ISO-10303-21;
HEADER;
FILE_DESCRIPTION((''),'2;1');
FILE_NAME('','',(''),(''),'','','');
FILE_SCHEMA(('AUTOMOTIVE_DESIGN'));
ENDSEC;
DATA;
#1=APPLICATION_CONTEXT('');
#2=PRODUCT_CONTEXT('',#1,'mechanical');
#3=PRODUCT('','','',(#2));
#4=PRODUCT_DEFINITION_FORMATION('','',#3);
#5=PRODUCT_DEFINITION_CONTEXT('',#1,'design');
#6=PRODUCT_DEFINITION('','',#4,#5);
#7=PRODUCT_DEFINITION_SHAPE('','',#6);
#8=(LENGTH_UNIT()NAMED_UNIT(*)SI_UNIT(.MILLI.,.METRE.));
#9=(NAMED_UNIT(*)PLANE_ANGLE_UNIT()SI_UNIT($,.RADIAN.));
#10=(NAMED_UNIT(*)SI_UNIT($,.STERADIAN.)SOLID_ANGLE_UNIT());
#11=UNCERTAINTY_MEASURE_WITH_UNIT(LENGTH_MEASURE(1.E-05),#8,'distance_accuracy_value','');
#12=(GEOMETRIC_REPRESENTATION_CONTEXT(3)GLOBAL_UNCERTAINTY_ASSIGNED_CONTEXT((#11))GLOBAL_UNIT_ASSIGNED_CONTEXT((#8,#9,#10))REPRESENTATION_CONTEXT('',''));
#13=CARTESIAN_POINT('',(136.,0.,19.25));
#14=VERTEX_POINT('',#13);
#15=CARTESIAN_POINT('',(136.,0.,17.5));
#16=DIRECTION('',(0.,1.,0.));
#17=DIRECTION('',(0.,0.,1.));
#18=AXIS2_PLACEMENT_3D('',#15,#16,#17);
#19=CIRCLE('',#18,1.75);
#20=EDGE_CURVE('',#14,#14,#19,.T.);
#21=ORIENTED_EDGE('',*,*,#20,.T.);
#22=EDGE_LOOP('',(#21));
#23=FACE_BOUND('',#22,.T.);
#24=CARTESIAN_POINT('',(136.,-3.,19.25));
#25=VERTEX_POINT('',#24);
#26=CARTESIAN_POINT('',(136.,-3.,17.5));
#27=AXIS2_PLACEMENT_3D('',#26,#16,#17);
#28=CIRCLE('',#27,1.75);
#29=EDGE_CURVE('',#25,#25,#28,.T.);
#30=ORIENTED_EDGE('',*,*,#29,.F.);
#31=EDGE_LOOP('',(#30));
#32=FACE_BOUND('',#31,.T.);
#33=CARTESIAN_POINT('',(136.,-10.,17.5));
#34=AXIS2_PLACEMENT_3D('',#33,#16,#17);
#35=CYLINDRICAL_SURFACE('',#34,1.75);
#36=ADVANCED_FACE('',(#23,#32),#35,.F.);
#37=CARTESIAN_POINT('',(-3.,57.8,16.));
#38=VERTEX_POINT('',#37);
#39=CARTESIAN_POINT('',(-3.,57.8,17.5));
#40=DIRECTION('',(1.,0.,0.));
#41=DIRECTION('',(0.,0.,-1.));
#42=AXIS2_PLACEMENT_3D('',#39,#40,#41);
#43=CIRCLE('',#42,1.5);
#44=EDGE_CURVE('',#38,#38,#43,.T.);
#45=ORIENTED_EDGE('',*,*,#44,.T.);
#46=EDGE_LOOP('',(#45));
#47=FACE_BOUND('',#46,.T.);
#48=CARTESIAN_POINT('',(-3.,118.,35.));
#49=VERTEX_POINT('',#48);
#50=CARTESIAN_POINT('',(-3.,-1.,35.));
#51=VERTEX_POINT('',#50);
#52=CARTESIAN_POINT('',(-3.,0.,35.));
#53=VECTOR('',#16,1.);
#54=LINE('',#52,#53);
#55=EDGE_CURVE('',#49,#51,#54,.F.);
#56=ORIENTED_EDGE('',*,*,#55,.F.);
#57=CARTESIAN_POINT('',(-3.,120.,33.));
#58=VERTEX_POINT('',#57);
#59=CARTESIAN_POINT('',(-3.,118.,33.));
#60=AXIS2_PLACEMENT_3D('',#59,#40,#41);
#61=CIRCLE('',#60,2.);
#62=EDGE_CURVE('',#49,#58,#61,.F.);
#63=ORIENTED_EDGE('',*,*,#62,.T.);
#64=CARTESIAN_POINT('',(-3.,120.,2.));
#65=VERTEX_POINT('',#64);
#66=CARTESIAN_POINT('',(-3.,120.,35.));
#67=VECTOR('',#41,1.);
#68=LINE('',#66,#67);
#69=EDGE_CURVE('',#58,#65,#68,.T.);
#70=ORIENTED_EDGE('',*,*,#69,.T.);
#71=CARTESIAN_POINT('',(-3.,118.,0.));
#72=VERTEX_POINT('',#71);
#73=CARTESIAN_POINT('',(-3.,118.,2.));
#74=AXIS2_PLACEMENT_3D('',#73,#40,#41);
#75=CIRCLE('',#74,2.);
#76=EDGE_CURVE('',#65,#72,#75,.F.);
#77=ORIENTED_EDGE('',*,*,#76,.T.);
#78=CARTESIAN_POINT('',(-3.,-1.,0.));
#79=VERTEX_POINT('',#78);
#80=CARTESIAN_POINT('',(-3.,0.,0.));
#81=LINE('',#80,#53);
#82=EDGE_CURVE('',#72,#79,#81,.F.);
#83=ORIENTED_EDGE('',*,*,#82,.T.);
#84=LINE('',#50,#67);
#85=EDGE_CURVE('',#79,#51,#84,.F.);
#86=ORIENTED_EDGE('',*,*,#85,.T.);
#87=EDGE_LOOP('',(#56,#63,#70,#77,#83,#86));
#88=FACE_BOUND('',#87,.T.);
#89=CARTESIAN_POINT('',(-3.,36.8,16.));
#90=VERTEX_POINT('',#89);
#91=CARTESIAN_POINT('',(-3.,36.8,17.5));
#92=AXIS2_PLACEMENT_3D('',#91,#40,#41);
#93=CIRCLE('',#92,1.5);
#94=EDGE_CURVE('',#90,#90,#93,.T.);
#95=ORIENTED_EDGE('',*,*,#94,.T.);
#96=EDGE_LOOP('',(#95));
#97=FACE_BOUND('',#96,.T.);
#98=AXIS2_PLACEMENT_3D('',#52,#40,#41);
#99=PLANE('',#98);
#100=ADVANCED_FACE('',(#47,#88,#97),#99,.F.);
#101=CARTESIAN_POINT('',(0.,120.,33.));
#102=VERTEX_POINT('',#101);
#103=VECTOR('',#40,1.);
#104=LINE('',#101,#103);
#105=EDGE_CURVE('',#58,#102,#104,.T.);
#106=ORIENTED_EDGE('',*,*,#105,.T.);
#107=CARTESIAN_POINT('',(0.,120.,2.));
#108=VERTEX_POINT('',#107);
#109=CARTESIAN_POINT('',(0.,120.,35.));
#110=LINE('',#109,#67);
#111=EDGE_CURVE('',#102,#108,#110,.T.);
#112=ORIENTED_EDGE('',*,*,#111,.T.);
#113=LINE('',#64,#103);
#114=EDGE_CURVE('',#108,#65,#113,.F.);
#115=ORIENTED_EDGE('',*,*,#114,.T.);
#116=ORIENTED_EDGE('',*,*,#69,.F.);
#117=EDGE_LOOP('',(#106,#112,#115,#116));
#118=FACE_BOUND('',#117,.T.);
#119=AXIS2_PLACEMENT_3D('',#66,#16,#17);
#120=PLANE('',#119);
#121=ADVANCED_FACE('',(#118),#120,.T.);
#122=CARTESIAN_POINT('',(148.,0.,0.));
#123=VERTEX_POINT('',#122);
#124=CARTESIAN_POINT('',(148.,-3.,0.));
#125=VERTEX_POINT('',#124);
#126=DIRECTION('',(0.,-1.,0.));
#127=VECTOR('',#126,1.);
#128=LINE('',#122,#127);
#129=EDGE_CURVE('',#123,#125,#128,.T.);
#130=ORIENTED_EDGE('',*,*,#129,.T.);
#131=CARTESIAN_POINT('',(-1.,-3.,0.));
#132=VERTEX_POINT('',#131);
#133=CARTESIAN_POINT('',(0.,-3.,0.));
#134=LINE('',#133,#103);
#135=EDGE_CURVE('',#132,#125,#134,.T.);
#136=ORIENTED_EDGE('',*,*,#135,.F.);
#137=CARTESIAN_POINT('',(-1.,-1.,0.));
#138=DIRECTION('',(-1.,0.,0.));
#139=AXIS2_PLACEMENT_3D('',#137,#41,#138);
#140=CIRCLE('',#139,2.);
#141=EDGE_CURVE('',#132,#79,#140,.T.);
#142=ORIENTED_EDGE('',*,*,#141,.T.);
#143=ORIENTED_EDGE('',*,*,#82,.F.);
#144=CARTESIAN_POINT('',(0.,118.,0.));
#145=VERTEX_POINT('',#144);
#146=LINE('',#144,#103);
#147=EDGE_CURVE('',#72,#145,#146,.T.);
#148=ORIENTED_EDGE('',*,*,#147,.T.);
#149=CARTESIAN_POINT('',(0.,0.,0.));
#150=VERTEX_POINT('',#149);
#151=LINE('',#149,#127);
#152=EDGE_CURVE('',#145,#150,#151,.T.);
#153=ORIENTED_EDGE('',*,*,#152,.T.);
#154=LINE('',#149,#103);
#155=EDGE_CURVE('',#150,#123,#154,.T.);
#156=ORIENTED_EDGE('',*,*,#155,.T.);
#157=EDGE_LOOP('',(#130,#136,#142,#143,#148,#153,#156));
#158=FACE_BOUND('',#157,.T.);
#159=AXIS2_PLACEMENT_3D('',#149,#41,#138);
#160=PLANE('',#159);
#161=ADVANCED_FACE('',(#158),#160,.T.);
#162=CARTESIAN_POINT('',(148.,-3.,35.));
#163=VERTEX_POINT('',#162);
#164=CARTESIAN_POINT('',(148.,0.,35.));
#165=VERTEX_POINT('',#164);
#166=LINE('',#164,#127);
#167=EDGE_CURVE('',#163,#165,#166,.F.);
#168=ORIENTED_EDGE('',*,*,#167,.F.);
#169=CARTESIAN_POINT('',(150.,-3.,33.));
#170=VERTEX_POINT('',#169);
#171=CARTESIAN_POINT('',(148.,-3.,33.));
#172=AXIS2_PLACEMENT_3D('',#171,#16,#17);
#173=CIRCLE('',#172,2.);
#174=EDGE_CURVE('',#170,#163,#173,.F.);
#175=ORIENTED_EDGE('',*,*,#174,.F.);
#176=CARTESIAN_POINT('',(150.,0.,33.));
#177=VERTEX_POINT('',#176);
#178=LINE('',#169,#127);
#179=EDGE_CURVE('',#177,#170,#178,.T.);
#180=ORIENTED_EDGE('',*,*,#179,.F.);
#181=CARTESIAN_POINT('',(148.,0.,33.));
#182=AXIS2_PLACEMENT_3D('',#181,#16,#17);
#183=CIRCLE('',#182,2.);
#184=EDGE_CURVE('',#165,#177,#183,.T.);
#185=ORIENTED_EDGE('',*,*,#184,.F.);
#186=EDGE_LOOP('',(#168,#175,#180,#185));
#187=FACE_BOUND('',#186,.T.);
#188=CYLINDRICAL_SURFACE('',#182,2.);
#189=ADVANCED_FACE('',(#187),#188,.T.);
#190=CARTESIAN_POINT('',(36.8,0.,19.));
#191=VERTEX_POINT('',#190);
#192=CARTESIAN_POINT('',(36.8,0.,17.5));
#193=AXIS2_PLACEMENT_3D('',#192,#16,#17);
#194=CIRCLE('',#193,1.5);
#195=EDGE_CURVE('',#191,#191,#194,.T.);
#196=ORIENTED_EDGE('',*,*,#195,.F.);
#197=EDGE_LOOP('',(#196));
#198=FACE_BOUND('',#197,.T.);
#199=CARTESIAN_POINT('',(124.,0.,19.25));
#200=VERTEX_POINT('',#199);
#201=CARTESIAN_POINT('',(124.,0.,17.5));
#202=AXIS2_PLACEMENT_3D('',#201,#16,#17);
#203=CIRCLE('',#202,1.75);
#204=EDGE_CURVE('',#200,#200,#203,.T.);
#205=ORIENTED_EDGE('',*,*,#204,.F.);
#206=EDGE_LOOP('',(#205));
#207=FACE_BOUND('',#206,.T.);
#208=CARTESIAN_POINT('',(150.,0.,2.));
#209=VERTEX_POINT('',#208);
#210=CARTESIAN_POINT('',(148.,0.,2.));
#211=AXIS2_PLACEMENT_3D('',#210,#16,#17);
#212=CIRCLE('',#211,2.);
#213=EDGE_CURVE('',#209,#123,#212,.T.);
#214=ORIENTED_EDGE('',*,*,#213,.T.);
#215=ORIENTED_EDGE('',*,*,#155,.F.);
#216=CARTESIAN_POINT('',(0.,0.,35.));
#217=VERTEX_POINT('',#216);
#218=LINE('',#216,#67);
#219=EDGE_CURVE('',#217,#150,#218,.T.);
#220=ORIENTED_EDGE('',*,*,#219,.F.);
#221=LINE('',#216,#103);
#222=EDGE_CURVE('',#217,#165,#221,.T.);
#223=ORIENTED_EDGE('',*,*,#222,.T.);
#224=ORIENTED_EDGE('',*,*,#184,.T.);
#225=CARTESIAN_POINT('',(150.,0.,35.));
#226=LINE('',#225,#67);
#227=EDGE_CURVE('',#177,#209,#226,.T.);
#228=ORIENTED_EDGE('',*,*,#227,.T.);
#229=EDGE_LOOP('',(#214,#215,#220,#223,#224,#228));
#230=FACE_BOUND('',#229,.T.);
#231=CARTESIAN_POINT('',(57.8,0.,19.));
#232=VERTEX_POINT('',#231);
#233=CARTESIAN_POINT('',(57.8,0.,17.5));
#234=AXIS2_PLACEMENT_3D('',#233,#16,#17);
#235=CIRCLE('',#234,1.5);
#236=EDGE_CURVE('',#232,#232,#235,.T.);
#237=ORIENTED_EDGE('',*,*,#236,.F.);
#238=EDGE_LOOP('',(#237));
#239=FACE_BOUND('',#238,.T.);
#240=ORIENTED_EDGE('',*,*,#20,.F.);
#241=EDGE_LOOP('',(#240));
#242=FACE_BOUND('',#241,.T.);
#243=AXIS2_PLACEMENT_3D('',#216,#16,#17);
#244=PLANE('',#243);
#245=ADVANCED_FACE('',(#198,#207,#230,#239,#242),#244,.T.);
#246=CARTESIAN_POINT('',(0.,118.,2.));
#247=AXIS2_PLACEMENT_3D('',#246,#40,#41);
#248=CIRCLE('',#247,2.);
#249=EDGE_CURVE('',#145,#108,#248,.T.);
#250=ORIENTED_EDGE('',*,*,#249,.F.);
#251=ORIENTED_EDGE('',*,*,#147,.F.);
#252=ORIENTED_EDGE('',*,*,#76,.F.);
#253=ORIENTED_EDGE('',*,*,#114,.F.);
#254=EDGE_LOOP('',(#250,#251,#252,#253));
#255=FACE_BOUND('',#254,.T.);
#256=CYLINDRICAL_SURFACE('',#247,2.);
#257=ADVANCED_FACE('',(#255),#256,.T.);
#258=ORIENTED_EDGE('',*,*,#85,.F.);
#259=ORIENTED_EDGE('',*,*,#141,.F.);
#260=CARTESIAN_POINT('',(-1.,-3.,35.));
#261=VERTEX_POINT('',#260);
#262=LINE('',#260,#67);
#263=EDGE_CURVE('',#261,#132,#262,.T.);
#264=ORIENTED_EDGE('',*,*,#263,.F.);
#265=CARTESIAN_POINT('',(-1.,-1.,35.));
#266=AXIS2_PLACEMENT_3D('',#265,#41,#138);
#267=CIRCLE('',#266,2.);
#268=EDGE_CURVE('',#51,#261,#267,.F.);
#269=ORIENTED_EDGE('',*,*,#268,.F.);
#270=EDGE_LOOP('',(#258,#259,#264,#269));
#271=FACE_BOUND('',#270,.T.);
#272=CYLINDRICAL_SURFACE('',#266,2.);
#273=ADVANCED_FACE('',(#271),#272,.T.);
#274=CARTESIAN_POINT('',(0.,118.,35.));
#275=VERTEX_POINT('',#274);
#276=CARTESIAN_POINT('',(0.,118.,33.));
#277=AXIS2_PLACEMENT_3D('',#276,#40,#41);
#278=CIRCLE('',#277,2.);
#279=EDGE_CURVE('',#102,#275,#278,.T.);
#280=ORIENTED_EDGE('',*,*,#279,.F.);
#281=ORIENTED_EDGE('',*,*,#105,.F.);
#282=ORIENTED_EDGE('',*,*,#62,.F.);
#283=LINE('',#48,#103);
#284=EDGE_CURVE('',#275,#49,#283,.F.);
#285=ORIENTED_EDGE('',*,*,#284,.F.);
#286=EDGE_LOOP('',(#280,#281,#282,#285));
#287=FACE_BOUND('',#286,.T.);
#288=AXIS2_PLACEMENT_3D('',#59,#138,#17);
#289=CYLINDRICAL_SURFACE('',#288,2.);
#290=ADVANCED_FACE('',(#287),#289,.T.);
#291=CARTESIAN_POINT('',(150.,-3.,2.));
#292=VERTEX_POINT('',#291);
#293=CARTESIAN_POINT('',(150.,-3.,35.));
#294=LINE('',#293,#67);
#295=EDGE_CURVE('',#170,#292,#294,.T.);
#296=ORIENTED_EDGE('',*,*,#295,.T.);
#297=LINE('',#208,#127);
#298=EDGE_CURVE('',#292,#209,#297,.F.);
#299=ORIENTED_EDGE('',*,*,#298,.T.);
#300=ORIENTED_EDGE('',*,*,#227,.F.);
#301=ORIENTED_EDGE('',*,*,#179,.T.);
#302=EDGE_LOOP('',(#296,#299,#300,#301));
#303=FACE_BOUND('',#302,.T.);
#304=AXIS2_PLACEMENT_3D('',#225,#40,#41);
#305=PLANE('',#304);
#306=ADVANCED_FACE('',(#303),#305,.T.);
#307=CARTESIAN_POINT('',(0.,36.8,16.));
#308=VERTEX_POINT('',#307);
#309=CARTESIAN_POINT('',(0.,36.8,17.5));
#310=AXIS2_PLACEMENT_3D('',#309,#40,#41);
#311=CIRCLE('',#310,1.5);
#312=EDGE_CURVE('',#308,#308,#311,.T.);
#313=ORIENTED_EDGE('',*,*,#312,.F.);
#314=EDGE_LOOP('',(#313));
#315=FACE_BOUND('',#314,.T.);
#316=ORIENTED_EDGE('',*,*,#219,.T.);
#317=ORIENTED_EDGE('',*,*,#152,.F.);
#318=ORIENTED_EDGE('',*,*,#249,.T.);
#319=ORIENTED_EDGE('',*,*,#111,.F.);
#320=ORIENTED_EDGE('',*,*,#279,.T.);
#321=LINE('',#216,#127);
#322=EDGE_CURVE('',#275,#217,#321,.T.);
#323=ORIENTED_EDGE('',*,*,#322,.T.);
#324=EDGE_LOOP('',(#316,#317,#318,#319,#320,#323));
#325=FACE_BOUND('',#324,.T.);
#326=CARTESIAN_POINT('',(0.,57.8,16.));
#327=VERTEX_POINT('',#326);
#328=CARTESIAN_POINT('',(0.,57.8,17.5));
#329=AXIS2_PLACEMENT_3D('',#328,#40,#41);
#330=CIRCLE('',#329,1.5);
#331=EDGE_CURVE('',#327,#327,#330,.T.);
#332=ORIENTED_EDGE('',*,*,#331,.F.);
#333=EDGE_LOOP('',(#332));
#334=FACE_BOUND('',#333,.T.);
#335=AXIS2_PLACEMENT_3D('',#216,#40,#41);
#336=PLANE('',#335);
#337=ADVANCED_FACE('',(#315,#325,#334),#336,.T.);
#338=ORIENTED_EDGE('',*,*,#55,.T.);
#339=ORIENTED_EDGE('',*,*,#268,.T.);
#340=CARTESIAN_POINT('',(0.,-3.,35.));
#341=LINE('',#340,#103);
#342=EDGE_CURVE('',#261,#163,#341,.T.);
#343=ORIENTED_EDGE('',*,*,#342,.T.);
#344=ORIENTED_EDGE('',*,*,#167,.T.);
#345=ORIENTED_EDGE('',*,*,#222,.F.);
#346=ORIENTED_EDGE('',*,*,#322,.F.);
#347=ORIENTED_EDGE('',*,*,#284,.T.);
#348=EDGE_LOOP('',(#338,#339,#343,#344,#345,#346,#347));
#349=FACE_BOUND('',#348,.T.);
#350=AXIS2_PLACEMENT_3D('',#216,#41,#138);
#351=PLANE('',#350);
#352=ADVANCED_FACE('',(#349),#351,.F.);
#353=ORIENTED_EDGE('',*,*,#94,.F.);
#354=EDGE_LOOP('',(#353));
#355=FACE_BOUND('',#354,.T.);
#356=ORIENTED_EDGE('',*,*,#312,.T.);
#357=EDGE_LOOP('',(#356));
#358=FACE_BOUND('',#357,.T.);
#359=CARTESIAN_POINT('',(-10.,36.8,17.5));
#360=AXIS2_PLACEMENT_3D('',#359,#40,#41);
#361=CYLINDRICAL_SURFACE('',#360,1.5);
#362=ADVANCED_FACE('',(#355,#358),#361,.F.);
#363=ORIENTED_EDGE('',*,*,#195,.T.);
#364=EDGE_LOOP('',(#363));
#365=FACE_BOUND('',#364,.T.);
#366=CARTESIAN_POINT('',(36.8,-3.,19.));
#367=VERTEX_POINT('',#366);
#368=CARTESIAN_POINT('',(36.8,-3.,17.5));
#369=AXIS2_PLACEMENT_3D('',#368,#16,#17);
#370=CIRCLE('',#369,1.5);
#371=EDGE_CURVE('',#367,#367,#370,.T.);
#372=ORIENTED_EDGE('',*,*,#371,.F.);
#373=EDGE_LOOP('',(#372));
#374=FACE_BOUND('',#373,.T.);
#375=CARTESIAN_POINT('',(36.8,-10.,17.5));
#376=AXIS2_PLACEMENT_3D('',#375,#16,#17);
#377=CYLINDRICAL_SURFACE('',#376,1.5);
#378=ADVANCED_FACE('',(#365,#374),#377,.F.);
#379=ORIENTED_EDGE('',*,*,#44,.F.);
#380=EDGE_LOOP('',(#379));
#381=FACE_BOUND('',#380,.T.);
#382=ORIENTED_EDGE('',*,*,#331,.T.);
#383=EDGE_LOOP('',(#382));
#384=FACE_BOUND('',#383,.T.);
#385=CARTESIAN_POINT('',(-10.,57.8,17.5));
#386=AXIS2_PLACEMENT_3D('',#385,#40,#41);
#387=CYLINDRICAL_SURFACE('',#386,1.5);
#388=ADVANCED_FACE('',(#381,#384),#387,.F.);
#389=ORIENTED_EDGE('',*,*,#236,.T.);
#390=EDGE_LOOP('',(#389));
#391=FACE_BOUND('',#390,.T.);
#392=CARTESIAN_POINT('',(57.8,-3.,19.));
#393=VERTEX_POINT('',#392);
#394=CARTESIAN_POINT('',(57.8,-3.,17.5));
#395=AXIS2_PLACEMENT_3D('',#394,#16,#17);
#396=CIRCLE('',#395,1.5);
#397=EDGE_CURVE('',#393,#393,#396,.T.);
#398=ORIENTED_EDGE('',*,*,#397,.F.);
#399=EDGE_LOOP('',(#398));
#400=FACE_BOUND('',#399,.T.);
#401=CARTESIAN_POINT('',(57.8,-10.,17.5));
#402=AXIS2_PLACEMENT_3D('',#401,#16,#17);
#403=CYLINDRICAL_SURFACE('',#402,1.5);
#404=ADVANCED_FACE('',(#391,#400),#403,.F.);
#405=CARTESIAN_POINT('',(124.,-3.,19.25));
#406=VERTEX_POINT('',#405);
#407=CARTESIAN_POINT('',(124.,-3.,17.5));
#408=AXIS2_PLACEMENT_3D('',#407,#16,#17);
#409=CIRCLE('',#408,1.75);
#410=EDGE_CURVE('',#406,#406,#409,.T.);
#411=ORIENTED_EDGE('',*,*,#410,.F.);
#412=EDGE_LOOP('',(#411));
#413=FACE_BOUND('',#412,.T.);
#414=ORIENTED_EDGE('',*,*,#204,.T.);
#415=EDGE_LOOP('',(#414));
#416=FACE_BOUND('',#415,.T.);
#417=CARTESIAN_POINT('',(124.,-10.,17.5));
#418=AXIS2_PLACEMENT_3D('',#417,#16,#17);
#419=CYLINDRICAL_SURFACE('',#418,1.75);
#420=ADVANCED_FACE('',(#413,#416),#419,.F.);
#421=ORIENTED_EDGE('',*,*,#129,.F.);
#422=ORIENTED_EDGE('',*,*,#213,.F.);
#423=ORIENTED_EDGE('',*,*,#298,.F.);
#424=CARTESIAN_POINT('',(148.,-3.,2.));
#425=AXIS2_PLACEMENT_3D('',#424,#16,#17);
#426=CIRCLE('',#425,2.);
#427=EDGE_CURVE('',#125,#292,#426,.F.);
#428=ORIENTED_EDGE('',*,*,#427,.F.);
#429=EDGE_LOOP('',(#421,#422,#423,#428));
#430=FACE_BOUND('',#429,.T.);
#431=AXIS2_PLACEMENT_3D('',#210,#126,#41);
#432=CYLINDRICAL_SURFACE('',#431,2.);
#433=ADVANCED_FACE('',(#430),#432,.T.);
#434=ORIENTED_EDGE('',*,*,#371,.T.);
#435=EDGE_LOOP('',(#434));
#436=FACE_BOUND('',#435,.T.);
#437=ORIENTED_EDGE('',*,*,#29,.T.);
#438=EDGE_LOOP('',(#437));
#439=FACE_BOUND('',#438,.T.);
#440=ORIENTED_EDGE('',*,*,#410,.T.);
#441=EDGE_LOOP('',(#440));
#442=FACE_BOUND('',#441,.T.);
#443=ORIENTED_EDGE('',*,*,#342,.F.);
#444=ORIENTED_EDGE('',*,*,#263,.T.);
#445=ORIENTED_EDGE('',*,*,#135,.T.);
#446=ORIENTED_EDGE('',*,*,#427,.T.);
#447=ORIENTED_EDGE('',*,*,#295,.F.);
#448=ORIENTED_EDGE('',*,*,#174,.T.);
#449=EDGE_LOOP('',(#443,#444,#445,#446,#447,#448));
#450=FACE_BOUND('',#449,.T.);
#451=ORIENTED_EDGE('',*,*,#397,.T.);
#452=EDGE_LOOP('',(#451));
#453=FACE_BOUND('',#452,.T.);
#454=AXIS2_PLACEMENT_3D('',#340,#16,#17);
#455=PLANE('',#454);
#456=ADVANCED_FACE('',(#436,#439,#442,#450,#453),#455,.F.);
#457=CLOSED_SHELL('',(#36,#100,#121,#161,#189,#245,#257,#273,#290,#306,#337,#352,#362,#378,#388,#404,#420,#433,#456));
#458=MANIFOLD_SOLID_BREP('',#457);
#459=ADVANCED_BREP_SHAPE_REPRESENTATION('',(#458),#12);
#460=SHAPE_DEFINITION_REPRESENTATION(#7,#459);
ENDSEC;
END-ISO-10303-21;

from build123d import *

# Parameters (mm, degrees)
EXTRU_MINCE1_DEPTH      = 35
ESQUISSE2_R             = 1.75
ENL_V_MAT_EXTRU_1_DEPTH = 10
CONG_1_R                = 2
ESQUISSE3_R             = 1.5
ENL_V_MAT_EXTRU_2_DEPTH = 10
ESQUISSE4_R             = 1.5
ENL_V_MAT_EXTRU_3_DEPTH = 10


with BuildPart() as part:
    # Esquisse1 → Extru.-Mince1 (new body)
    with BuildSketch(Plane.XY):
        Polygon((0, 120), (0, 0), (150, 0), (150, -3), (-3, -3), (-3, 120), align=None)
    extrude(amount=EXTRU_MINCE1_DEPTH)

    # Esquisse2 → Enlèv. mat.-Extru.1 (cut)
    with BuildSketch(Plane(origin=(0, 0, 0), x_dir=(1, 0, 0), z_dir=(0, 1, 0))):
        with Locations(Location((124, -17.5, 0), (0, 0, 270))):
            Circle(ESQUISSE2_R)
        with Locations(Location((136, -17.5, 0), (0, 0, 270))):
            Circle(ESQUISSE2_R)
    extrude(amount=-ENL_V_MAT_EXTRU_1_DEPTH, mode=Mode.SUBTRACT)

    # Congé1
    cong_1_edges = [part.edges().sort_by_distance(p)[0] for p in [
        (-1.5, 120, 35),
        (-1.5, 120, 0),
        (150, -1.5, 0),
        (150, -1.5, 35),
        (-3, -3, 17.5),
    ]]
    fillet(cong_1_edges, radius=CONG_1_R)

    # Esquisse3 → Enlèv. mat.-Extru.2 (cut)
    with BuildSketch(Plane(origin=(0, 0, 0), x_dir=(1, 0, 0), z_dir=(0, 1, 0))):
        with Locations(Location((36.8, -17.5, 0), (0, 0, 270))):
            Circle(ESQUISSE3_R)
        with Locations(Location((57.8, -17.5, 0), (0, 0, 270))):
            Circle(ESQUISSE3_R)
    extrude(amount=-ENL_V_MAT_EXTRU_2_DEPTH, mode=Mode.SUBTRACT)

    # Esquisse4 → Enlèv. mat.-Extru.3 (cut)
    with BuildSketch(Plane(origin=(0, 0, 0), x_dir=(0, 0, -1), z_dir=(1, 0, 0))):
        with Locations((-17.5, 36.8)):
            Circle(ESQUISSE4_R)
        with Locations((-17.5, 57.8)):
            Circle(ESQUISSE4_R)
    extrude(amount=-ENL_V_MAT_EXTRU_3_DEPTH, mode=Mode.SUBTRACT)


solid = part.part
